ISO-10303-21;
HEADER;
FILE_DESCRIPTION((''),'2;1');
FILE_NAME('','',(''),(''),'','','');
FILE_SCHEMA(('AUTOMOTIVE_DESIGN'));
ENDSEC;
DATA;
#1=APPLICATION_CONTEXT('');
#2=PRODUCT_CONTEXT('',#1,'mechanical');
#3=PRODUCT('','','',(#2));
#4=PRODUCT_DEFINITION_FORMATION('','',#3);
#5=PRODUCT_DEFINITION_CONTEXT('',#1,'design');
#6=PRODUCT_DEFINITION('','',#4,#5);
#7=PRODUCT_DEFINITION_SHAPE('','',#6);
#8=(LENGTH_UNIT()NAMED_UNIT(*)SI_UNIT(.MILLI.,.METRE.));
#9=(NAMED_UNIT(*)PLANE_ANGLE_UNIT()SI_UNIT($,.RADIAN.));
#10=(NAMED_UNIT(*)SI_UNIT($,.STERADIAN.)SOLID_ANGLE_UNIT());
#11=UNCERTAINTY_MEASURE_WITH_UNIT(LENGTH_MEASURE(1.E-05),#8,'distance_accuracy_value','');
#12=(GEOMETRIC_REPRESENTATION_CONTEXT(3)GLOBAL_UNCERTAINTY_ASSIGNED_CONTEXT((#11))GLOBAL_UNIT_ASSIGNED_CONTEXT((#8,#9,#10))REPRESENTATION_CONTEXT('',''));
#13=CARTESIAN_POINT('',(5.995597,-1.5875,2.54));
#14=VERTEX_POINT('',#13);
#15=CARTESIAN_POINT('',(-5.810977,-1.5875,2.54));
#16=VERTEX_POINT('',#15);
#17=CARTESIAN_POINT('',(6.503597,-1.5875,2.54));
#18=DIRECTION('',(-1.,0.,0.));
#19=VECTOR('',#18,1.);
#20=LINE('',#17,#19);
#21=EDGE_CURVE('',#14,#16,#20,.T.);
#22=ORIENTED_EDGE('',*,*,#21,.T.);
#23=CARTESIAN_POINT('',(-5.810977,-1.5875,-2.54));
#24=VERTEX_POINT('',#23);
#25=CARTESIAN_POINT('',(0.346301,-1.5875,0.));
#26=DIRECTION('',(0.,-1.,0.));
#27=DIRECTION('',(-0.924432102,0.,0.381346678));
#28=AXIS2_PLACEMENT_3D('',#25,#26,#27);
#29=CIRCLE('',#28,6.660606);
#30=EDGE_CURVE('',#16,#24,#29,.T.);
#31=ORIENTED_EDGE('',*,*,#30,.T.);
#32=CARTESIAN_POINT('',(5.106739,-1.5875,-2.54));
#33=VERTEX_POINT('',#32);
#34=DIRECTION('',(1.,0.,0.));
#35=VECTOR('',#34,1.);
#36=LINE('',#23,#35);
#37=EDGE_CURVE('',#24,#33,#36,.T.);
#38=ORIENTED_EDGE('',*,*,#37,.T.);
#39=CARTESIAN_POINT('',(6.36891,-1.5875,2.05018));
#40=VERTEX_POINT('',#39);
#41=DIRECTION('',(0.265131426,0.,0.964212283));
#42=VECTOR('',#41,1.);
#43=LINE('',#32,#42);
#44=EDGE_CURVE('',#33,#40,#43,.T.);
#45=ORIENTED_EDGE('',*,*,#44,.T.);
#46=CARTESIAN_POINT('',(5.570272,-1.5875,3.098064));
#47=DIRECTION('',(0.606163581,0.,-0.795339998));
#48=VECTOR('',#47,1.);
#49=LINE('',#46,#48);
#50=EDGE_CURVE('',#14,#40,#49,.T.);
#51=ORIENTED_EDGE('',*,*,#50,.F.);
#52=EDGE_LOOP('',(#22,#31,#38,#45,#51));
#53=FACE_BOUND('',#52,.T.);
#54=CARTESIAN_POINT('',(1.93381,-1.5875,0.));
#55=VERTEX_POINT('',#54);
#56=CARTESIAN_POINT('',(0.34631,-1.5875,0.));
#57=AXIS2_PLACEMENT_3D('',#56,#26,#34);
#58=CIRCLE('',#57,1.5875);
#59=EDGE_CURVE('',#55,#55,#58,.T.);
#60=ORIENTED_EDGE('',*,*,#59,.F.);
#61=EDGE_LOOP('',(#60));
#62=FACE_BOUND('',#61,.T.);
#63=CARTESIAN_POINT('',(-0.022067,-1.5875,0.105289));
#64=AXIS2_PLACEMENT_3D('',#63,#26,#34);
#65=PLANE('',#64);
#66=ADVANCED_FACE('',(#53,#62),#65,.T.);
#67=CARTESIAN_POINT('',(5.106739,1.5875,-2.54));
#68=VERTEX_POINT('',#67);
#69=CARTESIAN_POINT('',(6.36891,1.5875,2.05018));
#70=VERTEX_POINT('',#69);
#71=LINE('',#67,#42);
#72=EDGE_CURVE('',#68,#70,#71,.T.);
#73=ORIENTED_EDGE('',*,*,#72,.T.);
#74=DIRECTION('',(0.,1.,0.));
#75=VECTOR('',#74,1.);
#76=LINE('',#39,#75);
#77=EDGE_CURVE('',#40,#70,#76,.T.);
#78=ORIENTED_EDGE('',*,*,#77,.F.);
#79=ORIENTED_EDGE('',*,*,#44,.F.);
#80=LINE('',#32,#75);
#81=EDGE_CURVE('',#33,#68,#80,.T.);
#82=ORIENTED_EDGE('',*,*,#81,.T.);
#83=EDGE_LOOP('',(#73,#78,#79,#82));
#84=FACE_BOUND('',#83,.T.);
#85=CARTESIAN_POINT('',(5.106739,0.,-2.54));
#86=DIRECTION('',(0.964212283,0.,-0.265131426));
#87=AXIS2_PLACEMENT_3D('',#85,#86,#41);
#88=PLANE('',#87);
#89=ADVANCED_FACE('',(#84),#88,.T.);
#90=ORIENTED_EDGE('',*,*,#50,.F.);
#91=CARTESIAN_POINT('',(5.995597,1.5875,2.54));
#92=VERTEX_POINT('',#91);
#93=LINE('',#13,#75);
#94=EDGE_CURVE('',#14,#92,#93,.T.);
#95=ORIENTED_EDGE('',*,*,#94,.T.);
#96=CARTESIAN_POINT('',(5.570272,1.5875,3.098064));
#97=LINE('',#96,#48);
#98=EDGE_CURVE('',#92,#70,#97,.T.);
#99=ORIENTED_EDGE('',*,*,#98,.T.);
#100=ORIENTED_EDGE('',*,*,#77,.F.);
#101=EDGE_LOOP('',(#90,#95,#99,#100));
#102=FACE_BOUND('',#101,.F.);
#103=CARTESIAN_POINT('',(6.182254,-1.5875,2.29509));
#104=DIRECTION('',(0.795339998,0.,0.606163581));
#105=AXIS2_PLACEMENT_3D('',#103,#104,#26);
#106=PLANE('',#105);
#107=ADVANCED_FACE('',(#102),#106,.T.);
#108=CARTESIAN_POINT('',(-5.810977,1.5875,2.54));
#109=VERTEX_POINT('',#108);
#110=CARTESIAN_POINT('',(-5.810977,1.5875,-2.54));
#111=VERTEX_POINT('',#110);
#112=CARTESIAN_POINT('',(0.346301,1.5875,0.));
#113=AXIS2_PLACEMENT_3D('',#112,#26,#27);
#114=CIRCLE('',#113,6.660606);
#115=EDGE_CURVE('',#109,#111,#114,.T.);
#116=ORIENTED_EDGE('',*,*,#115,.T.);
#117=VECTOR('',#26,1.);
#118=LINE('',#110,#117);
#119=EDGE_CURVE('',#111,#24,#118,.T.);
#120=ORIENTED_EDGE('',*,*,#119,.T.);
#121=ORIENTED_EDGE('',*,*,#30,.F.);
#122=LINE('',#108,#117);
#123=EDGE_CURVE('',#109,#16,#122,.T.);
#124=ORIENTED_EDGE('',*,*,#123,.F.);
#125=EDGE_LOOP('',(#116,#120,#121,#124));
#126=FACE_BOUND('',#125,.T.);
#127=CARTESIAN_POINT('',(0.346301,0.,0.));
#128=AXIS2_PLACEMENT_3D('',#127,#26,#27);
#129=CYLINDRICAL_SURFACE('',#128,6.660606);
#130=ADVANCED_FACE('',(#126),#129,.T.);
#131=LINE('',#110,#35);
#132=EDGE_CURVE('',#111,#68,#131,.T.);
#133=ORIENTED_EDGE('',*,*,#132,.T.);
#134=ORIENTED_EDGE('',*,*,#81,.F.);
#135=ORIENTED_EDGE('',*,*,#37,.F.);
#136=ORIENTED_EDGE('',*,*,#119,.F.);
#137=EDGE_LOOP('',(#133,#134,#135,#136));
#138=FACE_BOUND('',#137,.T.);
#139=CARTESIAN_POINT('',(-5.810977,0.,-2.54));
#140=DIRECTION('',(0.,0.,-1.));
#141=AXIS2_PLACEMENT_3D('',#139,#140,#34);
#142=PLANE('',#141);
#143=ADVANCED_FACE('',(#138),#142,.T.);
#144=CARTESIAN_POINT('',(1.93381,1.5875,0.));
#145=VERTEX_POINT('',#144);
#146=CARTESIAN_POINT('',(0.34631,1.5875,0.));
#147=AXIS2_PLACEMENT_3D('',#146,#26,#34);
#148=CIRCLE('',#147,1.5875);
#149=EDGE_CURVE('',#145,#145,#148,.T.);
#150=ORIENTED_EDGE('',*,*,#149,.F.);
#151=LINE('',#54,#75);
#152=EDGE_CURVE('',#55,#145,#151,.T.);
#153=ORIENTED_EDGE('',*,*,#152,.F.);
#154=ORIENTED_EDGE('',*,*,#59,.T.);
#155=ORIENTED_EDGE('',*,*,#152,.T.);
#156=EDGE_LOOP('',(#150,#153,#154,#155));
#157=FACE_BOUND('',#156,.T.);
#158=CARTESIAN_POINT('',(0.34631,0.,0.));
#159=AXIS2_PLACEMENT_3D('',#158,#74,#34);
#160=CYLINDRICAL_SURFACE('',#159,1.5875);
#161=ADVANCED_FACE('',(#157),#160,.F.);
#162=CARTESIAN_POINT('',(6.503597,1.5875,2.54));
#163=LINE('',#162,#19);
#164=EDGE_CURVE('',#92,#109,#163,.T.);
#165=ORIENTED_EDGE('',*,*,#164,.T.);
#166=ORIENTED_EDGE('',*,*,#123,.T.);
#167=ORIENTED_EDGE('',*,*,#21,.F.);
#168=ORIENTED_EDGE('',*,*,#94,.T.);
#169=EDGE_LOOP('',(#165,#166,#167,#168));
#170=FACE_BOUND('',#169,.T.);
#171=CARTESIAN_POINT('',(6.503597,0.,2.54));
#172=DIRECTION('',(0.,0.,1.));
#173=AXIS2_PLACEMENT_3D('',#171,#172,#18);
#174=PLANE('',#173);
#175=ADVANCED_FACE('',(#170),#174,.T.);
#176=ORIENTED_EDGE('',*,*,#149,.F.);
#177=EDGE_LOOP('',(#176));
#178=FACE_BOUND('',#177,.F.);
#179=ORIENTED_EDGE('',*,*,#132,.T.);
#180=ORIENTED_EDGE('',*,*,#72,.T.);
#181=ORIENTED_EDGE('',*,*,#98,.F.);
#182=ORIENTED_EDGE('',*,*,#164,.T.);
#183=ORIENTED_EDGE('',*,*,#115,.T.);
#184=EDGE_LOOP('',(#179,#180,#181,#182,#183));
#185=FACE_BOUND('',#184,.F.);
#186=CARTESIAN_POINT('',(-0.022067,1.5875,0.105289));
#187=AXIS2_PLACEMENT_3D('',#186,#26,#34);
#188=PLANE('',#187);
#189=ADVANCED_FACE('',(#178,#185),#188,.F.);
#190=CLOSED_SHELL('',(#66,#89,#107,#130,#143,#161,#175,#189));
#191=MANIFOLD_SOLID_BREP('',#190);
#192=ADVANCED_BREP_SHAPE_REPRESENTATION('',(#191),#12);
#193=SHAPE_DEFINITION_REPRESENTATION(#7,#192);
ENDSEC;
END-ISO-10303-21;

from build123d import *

# Parameters (mm, degrees)
F0_R     = 1.5875
F1_DEPTH = 1.5875
F2_SIZE  = 0.508


with BuildPart() as f1:
    # F0 (on Front) → F1 (new body, symmetric)
    with BuildSketch(Plane.XZ):
        with BuildLine():
            Line((6.503597, 2.54), (-5.810977, 2.54))
            ThreePointArc((-5.810977, 2.54), (-6.314305, 0), (-5.810977, -2.54))
            Line((-5.810977, -2.54), (5.106739, -2.54))
            Line((5.106739, -2.54), (6.503597, 2.54))
        make_face()
        with Locations((0.34631, 0)):
            Circle(F0_R, mode=Mode.SUBTRACT)
    extrude(amount=F1_DEPTH, both=True)

    # F2
    f2_edges = [f1.edges().sort_by_distance(p)[0] for p in [
        (6.503597, 0, 2.54),
    ]]
    chamfer(f2_edges, length=F2_SIZE)


solid = f1.part
